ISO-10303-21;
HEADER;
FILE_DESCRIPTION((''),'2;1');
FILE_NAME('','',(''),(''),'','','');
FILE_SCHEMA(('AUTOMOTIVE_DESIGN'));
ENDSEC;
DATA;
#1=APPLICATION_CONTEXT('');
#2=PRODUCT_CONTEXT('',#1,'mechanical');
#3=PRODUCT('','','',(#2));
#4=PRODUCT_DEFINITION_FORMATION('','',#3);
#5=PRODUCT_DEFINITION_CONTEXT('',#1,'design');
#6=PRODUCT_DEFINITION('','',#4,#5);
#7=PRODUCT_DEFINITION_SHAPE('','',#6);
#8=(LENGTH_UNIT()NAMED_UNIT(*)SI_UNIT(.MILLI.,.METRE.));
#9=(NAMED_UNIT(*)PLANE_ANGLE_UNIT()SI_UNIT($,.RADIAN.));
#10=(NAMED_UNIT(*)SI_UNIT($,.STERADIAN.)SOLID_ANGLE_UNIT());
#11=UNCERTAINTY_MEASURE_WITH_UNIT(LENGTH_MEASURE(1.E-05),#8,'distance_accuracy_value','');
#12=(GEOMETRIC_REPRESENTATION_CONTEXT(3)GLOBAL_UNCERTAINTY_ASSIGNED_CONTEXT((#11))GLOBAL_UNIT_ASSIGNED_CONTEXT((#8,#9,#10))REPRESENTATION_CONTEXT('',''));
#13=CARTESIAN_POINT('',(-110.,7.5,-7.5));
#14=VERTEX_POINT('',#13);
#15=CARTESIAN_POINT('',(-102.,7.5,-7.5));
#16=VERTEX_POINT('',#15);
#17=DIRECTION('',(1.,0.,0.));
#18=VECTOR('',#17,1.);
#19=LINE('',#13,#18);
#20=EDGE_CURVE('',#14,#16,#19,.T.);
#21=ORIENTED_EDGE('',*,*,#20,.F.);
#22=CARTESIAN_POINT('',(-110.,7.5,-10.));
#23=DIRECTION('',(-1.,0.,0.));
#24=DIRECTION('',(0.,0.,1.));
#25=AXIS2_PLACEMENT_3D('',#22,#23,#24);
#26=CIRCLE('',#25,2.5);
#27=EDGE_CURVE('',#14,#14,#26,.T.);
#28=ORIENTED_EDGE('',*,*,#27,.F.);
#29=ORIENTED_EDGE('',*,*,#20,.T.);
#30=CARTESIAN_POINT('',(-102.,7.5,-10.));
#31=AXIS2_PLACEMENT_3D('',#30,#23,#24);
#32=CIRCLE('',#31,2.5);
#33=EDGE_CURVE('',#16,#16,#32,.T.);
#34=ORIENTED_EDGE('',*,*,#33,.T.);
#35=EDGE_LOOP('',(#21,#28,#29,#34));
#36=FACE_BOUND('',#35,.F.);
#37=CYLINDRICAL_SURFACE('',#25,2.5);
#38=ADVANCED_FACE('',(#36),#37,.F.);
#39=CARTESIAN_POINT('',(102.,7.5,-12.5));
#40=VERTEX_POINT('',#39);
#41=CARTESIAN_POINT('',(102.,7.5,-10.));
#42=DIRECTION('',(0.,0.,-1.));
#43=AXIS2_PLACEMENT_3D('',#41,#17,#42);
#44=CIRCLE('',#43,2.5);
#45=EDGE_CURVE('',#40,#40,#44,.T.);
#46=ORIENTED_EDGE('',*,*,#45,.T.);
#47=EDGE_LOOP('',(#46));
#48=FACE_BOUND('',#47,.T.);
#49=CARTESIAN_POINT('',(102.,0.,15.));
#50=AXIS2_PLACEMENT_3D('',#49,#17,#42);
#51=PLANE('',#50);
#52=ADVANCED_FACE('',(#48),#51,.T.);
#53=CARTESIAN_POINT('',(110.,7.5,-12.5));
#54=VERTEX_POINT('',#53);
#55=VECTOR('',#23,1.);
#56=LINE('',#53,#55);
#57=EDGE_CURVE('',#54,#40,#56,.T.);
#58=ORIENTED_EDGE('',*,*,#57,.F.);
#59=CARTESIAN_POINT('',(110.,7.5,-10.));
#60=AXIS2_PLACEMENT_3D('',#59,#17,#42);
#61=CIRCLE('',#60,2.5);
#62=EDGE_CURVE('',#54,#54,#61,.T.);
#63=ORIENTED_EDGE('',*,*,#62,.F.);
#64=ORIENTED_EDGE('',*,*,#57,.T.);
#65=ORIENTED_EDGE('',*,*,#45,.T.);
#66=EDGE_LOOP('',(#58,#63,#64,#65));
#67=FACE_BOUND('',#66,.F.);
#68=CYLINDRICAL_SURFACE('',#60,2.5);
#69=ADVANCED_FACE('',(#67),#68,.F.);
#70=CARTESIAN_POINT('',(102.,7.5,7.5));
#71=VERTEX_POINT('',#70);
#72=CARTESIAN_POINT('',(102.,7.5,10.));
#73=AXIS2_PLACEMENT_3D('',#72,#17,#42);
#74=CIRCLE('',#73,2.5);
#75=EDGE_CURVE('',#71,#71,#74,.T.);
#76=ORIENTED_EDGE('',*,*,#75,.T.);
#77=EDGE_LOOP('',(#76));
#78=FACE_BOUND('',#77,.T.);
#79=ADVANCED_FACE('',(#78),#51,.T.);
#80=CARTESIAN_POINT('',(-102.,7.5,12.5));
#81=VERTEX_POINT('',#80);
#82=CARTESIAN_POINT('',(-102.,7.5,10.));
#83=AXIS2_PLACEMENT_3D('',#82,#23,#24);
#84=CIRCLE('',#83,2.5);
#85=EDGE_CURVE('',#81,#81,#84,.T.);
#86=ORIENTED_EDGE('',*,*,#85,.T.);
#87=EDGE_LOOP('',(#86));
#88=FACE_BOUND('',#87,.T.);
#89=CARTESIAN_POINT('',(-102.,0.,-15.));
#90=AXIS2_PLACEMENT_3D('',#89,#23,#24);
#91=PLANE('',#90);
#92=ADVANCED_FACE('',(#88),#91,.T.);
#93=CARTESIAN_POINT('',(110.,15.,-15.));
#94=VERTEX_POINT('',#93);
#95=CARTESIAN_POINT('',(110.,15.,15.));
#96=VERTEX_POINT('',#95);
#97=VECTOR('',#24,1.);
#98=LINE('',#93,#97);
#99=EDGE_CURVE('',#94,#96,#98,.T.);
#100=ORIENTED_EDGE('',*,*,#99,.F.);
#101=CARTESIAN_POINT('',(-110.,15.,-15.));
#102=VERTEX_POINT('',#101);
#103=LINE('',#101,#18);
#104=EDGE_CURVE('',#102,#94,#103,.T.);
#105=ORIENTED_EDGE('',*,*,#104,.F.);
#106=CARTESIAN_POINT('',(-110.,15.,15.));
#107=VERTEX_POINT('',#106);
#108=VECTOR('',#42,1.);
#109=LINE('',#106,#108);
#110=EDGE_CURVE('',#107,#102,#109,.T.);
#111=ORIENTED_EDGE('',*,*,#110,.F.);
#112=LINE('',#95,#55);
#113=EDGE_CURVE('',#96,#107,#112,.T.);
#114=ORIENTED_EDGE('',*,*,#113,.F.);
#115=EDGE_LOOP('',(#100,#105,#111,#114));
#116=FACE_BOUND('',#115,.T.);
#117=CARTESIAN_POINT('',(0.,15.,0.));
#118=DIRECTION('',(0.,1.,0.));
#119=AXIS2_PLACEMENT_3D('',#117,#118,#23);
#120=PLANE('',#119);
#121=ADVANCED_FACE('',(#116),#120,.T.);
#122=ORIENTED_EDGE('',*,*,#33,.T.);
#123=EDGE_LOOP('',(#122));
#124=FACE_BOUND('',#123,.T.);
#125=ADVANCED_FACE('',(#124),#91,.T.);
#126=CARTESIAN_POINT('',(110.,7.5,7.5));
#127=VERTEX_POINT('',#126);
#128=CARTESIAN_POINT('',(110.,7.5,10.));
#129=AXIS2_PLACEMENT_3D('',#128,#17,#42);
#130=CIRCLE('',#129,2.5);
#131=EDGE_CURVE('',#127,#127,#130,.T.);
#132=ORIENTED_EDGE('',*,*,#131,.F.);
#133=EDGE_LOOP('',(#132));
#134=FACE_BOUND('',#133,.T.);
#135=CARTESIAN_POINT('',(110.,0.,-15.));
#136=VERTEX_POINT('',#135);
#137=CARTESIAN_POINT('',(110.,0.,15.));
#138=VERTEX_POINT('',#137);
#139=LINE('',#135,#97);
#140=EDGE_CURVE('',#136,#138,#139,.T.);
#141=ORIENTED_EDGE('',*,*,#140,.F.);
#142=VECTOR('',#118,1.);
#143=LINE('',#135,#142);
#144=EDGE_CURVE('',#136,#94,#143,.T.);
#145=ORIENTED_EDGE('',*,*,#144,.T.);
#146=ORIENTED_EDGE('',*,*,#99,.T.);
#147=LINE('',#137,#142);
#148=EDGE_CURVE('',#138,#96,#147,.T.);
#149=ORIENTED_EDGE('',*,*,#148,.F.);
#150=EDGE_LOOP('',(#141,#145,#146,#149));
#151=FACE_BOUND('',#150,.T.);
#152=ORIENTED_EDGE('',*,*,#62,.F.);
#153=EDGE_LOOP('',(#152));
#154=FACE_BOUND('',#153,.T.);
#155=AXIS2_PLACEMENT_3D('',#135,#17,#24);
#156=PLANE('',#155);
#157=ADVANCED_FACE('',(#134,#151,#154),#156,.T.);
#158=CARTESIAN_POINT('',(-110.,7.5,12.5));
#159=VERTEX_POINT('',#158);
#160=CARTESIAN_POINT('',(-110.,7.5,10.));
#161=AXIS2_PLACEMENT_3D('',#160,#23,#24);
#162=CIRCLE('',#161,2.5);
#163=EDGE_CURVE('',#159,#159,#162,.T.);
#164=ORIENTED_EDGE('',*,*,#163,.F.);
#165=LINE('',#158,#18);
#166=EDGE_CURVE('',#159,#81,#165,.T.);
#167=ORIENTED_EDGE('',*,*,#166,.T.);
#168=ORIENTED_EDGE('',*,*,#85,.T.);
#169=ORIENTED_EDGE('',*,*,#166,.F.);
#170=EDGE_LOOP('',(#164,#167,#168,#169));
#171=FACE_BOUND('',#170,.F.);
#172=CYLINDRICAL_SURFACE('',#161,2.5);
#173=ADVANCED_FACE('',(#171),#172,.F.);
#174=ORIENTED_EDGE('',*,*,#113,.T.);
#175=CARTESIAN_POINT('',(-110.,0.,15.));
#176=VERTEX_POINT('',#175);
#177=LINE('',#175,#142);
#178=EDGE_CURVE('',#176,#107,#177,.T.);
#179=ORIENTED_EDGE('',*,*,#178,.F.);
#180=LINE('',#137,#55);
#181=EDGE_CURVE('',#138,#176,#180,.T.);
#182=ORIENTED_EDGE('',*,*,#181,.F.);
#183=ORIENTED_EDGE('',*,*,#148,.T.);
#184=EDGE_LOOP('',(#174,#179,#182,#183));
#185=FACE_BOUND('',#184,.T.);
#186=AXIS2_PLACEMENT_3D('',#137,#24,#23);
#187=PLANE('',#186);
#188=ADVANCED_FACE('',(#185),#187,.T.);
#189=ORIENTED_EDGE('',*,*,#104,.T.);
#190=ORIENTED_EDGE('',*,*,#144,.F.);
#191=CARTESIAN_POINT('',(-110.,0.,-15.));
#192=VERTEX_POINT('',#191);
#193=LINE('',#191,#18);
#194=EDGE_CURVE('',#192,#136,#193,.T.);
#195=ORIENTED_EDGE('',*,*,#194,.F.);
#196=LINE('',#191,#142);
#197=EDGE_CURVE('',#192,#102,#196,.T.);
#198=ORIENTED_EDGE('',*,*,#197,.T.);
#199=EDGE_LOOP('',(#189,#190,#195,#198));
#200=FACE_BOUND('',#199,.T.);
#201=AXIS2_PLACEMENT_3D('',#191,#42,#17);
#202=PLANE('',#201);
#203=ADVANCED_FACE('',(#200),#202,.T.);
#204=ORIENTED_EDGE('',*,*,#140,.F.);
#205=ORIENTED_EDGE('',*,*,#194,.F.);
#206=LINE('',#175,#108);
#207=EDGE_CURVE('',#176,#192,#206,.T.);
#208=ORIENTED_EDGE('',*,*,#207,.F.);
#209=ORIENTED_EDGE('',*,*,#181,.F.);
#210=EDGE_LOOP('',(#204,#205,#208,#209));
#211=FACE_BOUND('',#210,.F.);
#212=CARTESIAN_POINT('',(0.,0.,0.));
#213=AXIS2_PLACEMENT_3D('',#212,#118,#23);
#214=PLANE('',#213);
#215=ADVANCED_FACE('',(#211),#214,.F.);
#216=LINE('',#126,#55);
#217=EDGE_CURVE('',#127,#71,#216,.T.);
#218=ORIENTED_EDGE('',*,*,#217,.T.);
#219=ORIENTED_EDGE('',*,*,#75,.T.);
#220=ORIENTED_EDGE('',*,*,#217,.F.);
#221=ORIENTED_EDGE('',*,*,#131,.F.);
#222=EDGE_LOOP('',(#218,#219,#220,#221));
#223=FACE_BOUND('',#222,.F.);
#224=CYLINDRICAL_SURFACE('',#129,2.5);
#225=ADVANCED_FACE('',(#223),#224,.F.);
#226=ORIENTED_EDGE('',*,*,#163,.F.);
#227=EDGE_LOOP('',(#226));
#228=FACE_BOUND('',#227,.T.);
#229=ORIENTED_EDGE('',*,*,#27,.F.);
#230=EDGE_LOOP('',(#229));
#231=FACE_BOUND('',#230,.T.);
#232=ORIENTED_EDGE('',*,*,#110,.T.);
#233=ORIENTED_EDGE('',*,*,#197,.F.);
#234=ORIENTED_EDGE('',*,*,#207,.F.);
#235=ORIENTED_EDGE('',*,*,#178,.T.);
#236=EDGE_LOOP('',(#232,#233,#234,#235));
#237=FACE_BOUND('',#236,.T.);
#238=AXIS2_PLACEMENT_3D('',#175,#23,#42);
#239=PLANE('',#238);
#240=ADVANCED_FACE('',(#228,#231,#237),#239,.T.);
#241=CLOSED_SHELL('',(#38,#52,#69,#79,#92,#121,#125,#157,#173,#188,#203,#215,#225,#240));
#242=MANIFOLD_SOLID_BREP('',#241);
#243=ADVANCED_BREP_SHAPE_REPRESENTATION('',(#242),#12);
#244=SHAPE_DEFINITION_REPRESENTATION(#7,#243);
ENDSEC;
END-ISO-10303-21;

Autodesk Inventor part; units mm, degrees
ref_plane "YZ Plane" through (0, 0, 0) normal (1, 0, 0) x (0, 1, 0)
ref_plane "XZ Plane" through (0, 0, 0) normal (0, 1, 0) x (-1, 0, 0)
ref_plane "XY Plane" through (0, 0, 0) normal (0, 0, 1) x (1, 0, 0)
sketch "Sketch1" plane through (0, 0, 0) normal (0, 1, 0) x (-1, 0, 0)
  line L0 (110, -15) -> (-110, -15)
  line L1 (-110, -15) -> (-110, 15)
  line L2 (-110, 15) -> (110, 15)
  line L3 (110, 15) -> (110, -15)
  line L4 (110, 0) -> (-110, 0) construction
  line L5 (0, -15) -> (0, 15) construction
  point P0 (0, 0)
  point P1 (0, 0)
  dimension "d0" = 220
  dimension "d1" = 30
extrude "Extrusion1" add sketch "Sketch1" along normal blind 15
sketch "Sketch2" plane through (-110, 0, -15) normal (-1, 0, 0) x (0, 0, 1)
  circle A0 centre (5, 7.5) radius 2.5
  line L0 (0, 0) -> (0, 15) construction
  line L1 (0, 7.5) -> (30, 7.5) construction
  line L2 (30, 0) -> (30, 15) construction
  line L3 (15, 0) -> (15, 15) construction
  line L4 (30, 15) -> (0, 15) construction
  circle A1 centre (25, 7.5) radius 2.5
  dimension "d4" = 5
  dimension "d5" = 20
extrude "Extrusion2" cut sketch "Sketch2" against normal blind 8
sketch "Sketch3" plane through (110, 0, 15) normal (1, 0, 0) x (0, 0, -1)
  circle A0 centre (25, 7.5) radius 2.5 projected
  circle A1 centre (5, 7.5) radius 2.5 projected
  point P0 (15, 0)
extrude "Extrusion3" cut sketch "Sketch3" against normal blind 8
properties part number "aux_strut"
